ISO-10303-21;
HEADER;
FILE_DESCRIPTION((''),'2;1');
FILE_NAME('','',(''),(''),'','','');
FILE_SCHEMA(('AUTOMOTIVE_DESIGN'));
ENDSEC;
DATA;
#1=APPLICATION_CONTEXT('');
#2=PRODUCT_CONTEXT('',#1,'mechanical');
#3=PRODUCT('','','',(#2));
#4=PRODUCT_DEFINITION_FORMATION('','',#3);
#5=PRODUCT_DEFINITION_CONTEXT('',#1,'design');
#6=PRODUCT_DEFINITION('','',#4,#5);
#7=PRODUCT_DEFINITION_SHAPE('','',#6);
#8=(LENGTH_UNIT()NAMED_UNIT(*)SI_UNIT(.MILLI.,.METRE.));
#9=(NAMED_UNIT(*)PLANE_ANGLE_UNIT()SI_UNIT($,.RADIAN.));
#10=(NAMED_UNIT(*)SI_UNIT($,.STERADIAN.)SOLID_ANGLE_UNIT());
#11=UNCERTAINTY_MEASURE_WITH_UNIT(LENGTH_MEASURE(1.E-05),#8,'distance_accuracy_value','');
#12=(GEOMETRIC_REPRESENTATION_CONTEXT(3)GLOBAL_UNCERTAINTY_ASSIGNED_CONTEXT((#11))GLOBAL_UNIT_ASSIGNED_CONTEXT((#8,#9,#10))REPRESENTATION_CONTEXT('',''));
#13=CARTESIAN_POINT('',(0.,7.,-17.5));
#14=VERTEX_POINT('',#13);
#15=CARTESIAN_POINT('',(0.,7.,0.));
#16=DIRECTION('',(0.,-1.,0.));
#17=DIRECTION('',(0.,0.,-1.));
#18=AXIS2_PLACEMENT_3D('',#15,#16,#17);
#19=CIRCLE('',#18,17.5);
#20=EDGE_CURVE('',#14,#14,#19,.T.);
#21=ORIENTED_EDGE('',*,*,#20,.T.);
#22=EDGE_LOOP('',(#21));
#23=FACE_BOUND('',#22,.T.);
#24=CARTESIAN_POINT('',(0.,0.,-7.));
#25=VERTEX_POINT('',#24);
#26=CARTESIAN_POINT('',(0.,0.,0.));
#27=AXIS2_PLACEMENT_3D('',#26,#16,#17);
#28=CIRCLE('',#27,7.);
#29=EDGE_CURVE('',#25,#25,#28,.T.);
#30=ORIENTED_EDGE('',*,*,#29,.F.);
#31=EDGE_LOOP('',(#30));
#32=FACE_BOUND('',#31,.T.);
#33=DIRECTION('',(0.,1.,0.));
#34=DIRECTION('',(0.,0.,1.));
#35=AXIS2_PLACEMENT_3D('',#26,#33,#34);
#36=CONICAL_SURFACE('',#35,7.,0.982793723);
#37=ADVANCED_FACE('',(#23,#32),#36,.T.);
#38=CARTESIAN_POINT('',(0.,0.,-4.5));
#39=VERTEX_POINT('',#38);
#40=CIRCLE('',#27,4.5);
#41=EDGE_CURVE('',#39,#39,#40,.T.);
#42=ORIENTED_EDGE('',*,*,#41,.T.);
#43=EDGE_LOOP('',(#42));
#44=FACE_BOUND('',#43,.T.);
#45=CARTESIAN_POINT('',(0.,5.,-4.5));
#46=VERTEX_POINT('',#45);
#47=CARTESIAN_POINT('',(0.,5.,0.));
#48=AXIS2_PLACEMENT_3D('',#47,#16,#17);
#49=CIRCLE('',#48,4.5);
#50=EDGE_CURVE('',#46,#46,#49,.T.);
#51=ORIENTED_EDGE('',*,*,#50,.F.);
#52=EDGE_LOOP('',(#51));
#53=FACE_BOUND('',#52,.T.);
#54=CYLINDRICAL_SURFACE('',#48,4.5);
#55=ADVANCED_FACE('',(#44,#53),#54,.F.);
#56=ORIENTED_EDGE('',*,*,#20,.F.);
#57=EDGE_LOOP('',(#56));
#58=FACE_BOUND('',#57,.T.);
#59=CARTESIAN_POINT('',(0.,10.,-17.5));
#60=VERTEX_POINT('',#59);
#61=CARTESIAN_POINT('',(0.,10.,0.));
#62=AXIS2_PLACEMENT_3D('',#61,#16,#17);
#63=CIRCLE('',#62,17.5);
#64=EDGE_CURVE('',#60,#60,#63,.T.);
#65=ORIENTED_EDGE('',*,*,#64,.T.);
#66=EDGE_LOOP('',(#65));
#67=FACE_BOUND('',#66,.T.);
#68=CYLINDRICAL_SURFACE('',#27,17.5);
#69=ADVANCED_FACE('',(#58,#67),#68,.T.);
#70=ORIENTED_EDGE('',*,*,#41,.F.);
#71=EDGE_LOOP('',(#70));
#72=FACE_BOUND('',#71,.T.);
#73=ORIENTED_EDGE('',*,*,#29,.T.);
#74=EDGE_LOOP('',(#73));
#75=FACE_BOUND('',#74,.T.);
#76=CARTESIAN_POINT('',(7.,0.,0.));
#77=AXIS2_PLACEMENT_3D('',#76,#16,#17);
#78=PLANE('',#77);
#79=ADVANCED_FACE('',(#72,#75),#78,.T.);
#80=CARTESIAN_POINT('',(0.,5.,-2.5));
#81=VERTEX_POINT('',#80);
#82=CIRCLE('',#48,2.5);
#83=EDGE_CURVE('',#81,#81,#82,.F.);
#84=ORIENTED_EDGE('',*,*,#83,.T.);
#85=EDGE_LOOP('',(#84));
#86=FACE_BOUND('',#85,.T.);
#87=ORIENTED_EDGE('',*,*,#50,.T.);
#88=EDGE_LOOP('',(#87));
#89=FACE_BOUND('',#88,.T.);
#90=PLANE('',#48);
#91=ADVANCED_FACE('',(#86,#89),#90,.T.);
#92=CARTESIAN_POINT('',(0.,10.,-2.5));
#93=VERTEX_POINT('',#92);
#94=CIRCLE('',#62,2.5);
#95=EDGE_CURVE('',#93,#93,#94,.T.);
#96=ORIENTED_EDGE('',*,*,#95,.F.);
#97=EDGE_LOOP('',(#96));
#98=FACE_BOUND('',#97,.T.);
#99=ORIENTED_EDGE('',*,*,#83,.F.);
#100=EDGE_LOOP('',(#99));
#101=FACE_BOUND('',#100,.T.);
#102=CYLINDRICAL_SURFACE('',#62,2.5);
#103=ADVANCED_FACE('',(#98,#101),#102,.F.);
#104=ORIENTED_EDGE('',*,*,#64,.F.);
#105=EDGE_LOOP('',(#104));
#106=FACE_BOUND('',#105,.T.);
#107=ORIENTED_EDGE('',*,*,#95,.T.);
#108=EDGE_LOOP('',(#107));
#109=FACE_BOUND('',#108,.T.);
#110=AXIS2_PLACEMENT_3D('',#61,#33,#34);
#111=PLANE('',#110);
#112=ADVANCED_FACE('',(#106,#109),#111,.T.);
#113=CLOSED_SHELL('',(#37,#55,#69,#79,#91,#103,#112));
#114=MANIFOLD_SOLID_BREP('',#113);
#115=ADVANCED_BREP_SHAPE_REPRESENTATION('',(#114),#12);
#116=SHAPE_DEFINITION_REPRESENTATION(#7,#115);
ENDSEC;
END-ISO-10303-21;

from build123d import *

# Parameters (mm, degrees)
SKETCH10_R         = 2.5
CUT_EXTRUDE1_DEPTH = 11
SKETCH11_R         = 4.5
CUT_EXTRUDE2_DEPTH = 5


with BuildPart() as part:
    # Sketch1 → Revolve1 (revolve)
    with BuildSketch(Plane.XY):
        Polygon((0, 0), (0, 10), (17.5, 10), (17.5, 7), (7, 0), align=None)
    revolve(axis=Axis((0, 0, 0), (0, 1, 0)))

    # Sketch10 → Cut-Extrude1 (cut, through all)
    with BuildSketch(Plane.XZ):
        Circle(SKETCH10_R)
    extrude(amount=-CUT_EXTRUDE1_DEPTH, mode=Mode.SUBTRACT)

    # Sketch11 → Cut-Extrude2 (cut)
    with BuildSketch(Plane.XZ):
        Circle(SKETCH11_R)
    extrude(amount=-CUT_EXTRUDE2_DEPTH, mode=Mode.SUBTRACT)


solid = part.part
